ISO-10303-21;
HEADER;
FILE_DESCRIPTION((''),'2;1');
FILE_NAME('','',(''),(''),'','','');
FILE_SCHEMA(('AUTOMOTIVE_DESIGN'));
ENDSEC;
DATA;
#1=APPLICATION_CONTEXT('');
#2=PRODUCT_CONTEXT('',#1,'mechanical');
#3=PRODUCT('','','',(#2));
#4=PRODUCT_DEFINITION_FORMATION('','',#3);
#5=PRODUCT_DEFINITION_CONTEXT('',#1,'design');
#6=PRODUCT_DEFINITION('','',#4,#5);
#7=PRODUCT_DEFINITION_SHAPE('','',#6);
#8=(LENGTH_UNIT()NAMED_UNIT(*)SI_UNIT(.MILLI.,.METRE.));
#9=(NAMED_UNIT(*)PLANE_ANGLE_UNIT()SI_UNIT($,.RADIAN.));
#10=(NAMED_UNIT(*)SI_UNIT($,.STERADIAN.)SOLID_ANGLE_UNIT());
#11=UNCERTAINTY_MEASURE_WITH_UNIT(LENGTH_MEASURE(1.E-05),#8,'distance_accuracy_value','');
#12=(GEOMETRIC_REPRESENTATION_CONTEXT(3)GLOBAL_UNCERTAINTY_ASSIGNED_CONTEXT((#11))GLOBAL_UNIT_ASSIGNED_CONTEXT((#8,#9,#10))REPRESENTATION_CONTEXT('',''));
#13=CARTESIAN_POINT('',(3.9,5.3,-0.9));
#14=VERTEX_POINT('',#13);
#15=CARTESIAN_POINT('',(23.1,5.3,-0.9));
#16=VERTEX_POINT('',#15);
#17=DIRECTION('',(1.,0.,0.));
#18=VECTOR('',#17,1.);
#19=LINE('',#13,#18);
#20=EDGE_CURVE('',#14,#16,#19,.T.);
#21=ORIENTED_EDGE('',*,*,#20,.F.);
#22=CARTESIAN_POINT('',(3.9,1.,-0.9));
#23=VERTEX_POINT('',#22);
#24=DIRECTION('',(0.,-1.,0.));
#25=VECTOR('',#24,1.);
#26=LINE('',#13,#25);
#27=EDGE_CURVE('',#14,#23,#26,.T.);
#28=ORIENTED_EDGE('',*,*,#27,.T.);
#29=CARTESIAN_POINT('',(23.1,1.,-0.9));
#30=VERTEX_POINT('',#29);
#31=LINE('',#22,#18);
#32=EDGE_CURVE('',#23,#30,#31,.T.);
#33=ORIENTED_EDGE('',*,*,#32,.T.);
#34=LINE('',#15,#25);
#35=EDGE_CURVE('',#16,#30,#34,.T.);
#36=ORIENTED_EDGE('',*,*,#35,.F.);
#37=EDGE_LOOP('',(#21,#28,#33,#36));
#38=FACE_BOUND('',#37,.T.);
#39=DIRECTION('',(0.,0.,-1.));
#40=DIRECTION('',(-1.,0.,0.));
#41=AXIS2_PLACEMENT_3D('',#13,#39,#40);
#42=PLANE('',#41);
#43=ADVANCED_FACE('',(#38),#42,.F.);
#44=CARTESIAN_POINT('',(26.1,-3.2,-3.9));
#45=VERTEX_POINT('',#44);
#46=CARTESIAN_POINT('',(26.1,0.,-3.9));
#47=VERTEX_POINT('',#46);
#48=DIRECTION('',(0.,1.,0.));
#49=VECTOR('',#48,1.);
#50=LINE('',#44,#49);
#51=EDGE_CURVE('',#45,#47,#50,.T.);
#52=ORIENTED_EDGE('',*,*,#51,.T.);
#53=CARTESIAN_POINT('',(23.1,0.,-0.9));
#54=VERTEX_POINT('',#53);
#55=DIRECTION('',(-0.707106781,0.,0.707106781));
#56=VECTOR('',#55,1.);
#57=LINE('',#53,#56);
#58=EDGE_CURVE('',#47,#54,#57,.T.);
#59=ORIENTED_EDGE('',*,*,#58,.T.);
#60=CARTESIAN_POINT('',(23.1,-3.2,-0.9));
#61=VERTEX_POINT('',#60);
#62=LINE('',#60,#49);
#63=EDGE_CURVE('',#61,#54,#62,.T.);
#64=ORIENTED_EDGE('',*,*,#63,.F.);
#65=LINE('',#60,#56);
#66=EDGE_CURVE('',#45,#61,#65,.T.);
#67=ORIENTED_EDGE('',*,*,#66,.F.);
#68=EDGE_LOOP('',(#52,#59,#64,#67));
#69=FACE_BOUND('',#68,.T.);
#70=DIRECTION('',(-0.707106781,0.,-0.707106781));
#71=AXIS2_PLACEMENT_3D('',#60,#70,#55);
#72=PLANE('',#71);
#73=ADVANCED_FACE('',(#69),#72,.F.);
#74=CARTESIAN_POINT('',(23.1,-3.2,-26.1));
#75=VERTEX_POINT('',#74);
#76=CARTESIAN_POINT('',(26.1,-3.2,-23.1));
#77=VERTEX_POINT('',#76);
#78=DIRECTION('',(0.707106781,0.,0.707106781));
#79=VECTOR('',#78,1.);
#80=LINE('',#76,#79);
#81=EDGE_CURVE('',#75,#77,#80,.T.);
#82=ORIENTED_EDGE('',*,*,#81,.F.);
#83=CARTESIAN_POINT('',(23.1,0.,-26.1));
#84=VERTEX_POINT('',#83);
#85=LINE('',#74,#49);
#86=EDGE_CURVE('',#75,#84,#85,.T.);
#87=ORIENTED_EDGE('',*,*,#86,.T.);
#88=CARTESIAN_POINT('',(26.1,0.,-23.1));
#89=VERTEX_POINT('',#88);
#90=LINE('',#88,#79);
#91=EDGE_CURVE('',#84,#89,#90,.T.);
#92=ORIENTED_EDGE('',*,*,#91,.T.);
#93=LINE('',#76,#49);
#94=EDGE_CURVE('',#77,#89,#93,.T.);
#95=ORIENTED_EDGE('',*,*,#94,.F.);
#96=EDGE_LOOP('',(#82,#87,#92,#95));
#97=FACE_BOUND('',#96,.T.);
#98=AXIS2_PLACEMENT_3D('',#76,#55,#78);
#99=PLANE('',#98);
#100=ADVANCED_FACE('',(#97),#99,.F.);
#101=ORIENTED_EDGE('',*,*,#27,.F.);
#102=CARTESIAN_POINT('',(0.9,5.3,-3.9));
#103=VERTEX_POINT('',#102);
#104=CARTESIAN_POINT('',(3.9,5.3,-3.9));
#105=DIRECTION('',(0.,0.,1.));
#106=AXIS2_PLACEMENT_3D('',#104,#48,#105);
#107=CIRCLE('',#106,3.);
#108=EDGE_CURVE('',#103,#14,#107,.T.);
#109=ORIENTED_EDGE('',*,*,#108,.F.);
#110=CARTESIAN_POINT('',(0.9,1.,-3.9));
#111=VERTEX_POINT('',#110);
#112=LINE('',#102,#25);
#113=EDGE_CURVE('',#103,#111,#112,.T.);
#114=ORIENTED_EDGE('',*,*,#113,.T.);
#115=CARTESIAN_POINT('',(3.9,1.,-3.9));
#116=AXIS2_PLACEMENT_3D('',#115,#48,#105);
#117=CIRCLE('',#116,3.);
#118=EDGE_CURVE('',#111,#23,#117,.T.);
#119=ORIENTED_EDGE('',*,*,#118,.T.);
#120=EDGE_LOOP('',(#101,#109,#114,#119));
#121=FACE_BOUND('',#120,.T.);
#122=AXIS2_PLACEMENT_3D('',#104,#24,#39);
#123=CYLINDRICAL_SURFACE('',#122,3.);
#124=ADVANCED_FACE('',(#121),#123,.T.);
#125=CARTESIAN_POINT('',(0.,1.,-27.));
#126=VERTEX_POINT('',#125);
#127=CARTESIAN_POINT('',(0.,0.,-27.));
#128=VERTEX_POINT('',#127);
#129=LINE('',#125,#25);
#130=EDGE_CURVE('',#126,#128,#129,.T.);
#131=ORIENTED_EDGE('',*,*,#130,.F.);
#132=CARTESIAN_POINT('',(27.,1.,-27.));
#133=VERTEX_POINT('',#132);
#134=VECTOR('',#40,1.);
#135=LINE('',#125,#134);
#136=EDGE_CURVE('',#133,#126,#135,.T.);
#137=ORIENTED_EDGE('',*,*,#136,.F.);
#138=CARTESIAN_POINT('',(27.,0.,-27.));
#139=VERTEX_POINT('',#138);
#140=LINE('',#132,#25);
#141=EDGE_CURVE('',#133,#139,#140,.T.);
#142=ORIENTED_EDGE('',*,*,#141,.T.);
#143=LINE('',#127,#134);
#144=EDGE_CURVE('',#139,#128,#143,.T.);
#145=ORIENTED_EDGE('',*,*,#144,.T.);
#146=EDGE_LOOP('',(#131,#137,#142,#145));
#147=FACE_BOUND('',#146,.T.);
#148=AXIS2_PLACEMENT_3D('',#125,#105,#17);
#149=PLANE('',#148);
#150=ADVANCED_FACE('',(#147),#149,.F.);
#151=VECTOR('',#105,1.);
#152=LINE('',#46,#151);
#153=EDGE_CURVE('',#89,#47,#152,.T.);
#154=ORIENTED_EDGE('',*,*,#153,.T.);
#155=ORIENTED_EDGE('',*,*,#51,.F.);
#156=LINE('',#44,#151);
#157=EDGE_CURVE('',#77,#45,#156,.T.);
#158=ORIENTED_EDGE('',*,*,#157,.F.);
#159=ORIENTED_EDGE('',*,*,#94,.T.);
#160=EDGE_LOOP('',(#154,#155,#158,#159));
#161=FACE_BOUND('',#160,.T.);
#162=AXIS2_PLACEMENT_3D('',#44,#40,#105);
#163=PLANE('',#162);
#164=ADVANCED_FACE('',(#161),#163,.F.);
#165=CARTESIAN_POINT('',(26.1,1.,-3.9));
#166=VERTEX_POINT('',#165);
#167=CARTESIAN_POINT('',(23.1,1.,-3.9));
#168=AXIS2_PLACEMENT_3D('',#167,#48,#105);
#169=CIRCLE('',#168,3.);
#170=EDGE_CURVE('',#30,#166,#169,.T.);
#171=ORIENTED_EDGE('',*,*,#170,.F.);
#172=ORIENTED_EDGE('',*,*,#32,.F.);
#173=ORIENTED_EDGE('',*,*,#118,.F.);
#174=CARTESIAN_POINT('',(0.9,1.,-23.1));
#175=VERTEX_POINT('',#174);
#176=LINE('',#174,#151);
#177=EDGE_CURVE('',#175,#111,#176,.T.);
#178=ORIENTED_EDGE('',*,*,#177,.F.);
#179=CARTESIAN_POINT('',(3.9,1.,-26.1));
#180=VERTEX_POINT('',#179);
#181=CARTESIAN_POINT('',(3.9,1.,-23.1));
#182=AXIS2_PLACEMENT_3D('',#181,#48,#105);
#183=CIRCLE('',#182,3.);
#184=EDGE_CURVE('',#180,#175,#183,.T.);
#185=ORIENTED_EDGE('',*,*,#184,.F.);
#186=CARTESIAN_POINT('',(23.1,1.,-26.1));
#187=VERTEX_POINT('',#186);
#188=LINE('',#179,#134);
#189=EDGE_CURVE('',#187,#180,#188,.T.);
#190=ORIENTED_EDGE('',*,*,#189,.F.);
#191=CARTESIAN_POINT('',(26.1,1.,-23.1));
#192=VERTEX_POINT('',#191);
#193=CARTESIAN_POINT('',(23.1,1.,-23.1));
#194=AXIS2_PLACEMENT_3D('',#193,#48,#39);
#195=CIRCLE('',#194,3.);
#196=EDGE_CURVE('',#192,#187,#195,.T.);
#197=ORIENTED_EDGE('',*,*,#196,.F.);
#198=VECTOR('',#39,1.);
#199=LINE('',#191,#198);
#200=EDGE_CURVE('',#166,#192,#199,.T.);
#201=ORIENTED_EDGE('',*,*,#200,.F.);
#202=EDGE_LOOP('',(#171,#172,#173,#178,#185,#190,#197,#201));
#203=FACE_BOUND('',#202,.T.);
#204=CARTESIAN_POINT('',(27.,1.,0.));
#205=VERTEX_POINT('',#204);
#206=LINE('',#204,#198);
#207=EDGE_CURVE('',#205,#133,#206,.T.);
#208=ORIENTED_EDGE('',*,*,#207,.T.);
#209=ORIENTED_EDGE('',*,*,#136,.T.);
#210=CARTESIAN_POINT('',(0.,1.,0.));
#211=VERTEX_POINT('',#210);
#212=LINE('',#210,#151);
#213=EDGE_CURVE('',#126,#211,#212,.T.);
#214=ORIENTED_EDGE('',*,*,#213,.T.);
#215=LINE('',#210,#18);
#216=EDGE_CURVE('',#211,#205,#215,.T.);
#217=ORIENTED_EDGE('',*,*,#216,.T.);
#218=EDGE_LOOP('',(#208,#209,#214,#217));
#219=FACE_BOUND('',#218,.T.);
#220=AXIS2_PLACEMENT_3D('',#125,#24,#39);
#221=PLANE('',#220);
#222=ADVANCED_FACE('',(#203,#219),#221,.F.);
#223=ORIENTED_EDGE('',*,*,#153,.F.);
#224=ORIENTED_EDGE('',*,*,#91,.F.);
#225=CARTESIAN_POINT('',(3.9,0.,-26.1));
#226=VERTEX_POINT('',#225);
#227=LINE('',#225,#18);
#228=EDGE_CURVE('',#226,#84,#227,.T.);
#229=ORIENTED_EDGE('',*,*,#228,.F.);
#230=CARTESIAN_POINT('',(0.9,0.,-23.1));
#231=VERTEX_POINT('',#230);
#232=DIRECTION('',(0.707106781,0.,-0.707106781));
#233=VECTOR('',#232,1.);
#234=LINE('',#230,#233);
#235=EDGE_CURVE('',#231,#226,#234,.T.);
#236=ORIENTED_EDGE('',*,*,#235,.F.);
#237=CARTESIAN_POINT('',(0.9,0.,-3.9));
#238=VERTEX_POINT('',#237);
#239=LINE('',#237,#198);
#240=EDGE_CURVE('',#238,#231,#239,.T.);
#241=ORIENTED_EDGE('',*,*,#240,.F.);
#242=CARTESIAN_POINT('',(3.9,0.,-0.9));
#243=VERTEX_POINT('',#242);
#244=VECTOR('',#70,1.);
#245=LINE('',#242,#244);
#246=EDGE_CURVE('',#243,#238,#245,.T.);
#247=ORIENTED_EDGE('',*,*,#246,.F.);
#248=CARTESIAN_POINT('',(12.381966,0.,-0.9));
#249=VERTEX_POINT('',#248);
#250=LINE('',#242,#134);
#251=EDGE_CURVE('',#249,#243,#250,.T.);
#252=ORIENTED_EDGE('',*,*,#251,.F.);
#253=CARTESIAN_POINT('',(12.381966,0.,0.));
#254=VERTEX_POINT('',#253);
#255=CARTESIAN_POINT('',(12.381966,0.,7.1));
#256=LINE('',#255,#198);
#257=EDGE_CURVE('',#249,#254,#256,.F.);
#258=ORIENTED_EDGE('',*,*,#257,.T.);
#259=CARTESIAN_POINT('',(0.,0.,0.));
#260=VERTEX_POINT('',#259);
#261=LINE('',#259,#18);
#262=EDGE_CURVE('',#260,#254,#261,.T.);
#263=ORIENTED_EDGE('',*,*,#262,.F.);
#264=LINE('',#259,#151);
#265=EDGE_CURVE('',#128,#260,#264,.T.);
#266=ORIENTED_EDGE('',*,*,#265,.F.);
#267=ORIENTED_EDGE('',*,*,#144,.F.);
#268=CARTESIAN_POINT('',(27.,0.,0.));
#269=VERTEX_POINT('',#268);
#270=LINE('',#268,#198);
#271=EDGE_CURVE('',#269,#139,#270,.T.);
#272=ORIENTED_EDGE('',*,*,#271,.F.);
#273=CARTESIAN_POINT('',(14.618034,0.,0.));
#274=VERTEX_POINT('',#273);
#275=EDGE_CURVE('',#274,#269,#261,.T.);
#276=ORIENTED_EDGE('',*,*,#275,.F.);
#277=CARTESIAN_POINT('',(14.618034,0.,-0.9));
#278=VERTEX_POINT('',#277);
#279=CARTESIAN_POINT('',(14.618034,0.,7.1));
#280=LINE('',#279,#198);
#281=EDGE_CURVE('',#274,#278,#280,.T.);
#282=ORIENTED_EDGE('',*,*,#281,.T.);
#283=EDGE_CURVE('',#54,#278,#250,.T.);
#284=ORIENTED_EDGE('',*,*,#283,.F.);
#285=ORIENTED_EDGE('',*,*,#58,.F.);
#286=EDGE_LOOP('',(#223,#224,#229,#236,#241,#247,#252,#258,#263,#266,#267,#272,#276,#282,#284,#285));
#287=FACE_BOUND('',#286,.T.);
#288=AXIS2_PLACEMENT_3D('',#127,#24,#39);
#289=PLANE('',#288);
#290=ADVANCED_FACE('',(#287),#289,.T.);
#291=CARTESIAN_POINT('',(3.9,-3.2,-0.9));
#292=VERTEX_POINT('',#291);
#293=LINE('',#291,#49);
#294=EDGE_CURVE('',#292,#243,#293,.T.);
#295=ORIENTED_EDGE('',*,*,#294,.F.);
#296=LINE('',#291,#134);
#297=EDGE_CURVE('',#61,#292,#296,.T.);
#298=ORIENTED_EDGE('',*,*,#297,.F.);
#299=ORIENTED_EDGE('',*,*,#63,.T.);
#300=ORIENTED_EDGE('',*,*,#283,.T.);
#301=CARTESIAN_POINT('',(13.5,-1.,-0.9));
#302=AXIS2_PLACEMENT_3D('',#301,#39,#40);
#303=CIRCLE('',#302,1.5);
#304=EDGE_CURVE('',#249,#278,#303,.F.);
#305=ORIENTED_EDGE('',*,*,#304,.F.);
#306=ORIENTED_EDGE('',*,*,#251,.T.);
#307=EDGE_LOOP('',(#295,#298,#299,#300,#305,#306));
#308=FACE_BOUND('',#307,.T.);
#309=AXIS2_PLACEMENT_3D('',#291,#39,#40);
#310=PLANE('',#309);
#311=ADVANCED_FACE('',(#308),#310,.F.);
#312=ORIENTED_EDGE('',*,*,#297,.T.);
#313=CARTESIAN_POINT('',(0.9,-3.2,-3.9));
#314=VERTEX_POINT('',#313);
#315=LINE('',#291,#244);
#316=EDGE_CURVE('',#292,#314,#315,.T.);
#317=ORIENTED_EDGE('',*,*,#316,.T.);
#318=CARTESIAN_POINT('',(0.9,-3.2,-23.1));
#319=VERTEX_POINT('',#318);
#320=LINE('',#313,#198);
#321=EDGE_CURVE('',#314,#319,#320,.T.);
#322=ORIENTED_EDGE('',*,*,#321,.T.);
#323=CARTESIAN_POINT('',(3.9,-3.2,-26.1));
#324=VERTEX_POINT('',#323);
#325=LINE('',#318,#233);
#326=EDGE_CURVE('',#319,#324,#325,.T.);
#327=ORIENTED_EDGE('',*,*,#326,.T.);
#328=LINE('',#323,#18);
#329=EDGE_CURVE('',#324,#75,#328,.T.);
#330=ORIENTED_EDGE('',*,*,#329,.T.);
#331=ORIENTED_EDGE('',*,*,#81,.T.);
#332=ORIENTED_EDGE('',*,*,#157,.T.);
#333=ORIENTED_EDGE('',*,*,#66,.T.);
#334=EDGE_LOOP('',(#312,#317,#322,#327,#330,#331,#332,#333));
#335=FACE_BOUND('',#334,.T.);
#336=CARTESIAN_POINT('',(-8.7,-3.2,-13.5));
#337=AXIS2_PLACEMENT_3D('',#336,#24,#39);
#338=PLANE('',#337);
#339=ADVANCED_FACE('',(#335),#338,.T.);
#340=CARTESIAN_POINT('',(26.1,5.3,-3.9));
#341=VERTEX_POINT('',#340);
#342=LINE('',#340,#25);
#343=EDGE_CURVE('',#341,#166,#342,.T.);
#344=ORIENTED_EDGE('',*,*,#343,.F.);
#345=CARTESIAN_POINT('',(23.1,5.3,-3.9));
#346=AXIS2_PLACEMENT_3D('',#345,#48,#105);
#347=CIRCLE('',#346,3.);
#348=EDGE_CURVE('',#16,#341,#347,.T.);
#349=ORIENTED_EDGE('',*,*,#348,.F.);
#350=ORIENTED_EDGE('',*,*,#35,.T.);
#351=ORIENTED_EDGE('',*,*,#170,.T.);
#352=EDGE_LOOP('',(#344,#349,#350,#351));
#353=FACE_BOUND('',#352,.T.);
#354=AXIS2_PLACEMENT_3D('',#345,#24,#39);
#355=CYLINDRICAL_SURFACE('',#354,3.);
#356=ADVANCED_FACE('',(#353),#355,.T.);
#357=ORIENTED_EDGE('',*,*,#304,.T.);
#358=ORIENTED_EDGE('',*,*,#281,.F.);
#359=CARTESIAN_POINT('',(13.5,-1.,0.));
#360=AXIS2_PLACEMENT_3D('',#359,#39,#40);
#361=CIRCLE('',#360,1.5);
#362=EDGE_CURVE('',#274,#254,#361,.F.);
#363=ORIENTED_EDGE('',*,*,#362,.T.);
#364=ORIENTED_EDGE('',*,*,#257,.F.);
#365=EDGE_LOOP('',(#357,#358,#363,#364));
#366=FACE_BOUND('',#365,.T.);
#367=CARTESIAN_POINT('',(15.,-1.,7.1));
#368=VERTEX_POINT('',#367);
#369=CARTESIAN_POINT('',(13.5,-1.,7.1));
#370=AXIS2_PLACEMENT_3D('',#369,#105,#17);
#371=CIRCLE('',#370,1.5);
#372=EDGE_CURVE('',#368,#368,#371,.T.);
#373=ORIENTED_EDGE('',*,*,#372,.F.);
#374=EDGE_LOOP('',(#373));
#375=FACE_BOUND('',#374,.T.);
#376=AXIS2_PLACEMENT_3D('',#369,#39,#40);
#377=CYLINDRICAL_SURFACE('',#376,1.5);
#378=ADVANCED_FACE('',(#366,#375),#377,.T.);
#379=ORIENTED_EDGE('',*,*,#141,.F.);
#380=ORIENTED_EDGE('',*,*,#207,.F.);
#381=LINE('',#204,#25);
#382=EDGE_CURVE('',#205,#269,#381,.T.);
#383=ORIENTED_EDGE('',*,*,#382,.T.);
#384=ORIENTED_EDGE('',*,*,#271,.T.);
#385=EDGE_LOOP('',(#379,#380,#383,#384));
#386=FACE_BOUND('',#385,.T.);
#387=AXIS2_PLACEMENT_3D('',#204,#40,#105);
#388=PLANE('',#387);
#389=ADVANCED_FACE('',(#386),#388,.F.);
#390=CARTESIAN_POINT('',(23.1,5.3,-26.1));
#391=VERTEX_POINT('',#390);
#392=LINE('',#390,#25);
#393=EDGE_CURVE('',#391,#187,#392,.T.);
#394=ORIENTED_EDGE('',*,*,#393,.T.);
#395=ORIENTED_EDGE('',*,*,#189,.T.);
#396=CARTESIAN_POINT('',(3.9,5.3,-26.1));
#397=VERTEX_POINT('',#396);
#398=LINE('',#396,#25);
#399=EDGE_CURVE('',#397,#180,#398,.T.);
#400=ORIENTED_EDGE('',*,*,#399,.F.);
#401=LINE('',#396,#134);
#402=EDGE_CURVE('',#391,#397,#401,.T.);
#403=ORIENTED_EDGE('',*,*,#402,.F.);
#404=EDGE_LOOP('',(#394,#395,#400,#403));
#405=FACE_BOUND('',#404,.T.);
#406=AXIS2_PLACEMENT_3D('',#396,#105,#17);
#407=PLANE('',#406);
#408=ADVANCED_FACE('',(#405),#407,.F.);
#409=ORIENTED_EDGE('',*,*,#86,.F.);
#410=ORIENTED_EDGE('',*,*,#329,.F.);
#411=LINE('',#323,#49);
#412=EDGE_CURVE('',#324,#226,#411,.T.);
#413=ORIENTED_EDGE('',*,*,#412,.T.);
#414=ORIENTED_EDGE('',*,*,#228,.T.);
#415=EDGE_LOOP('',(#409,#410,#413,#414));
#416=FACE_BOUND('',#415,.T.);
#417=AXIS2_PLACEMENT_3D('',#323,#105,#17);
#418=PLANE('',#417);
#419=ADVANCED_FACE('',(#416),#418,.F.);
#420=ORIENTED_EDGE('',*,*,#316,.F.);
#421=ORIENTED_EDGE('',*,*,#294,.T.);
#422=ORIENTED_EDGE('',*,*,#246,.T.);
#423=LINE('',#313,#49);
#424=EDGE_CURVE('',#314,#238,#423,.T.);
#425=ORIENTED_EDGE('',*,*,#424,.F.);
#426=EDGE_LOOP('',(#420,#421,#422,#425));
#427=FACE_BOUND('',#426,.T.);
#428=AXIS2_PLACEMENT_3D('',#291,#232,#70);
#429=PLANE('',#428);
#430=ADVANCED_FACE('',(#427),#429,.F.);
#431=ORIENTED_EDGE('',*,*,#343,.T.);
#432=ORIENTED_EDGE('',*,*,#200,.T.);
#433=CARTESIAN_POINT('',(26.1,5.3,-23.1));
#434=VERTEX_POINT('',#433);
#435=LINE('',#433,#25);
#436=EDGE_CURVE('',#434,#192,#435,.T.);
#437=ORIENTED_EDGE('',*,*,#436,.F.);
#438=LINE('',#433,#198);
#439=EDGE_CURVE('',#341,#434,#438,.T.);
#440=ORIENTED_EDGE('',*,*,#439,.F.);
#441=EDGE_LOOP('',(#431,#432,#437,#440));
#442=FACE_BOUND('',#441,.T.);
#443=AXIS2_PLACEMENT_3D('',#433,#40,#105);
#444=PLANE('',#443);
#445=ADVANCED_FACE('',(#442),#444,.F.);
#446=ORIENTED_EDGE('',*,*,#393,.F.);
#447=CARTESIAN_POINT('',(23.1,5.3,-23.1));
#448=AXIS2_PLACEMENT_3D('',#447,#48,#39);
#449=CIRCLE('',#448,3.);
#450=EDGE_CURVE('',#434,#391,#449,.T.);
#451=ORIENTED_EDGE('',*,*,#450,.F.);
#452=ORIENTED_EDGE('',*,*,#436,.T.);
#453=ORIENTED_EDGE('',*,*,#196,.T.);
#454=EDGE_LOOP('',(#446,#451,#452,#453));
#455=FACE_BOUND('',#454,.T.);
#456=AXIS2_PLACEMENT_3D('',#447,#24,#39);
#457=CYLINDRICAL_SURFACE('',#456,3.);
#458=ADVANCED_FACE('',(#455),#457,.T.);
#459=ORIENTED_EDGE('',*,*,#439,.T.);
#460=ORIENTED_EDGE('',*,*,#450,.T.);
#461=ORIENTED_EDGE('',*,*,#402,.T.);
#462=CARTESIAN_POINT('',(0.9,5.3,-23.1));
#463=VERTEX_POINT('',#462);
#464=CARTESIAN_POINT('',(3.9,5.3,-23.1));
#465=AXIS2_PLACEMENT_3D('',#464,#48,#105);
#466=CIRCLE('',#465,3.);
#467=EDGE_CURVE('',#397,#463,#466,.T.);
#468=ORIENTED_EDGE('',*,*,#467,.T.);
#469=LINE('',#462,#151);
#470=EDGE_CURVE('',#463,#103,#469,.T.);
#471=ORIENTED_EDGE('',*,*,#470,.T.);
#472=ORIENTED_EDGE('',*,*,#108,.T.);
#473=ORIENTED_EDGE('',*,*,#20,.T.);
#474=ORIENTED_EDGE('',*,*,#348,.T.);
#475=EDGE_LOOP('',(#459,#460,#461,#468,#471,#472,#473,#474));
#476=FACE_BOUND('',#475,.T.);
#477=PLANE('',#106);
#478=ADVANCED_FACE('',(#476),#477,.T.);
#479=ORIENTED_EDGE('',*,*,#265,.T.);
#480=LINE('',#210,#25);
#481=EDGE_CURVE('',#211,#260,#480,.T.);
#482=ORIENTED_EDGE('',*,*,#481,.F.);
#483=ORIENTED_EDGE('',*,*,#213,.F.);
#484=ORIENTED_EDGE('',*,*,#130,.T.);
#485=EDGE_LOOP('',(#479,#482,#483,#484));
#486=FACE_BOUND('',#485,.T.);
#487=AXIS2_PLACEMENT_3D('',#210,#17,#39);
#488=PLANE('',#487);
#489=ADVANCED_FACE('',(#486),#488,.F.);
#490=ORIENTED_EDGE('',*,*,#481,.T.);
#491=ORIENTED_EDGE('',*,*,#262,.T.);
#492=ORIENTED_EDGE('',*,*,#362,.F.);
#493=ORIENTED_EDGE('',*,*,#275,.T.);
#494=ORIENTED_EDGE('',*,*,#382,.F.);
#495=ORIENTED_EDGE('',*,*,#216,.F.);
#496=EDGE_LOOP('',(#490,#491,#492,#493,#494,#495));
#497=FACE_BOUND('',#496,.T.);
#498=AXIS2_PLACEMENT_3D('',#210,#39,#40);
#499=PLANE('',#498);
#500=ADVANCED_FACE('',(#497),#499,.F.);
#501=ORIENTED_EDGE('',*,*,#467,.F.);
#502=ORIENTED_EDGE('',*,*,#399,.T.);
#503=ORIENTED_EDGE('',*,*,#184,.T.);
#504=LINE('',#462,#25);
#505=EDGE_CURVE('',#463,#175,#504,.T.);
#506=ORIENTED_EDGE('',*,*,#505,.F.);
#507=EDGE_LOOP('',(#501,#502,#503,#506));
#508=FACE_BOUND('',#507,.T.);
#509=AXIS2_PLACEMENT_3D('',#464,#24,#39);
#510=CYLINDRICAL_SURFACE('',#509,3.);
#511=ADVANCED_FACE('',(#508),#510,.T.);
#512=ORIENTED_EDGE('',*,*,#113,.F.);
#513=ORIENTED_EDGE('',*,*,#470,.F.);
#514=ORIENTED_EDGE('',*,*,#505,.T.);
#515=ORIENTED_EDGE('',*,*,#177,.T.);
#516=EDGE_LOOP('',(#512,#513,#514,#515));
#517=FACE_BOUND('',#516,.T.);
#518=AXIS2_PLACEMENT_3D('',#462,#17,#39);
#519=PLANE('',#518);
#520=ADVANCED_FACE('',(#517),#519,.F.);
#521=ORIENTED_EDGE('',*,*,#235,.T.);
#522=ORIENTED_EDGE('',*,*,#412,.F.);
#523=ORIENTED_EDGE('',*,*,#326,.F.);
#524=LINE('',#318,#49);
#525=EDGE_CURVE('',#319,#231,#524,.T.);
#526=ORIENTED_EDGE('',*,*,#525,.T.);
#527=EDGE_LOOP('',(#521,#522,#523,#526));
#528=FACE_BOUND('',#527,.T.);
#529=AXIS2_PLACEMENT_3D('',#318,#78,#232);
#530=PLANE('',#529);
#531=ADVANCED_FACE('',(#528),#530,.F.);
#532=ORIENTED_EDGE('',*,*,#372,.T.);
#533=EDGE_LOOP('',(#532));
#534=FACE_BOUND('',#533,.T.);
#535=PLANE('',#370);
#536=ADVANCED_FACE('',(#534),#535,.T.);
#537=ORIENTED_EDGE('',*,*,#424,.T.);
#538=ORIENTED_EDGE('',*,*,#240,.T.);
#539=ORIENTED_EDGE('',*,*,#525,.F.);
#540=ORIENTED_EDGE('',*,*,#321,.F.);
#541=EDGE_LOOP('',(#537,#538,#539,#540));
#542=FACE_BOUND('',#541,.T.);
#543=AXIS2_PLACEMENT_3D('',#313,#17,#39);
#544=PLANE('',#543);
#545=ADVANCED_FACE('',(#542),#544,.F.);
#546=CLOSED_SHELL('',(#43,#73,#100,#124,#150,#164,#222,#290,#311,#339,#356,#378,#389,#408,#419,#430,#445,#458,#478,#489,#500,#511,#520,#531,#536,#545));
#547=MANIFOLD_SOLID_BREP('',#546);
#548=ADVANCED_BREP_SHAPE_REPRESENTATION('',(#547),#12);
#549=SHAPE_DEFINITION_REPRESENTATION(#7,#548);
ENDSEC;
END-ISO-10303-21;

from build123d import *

# Parameters (mm, degrees)
SKETCH1_W           = 27
SKETCH1_H           = 27
BOSS_EXTRUDE1_DEPTH = 1
BOSS_EXTRUDE2_DEPTH = 4.3
BOSS_EXTRUDE3_DEPTH = 3.2
SKETCH4_R           = 1.5
BOSS_EXTRUDE5_DEPTH = 8


with BuildPart() as part:
    # Sketch1 → Boss-Extrude1 (new body)
    with BuildSketch(Plane(origin=(0, 0, 0), x_dir=(1, 0, 0), z_dir=(0, 1, 0))):
        with Locations((13.5, 13.5)):
            Rectangle(SKETCH1_W, SKETCH1_H)
    extrude(amount=BOSS_EXTRUDE1_DEPTH)

    # Sketch2 → Boss-Extrude2 (add)
    with BuildSketch(Plane(origin=(0, 1, 0), x_dir=(1, 0, 0), z_dir=(0, 1, 0))):
        with BuildLine():
            Line((3.9, 26.1), (23.1, 26.1))
            ThreePointArc((23.1, 26.1), (25.221320344, 25.221320344), (26.1, 23.1))
            Line((26.1, 23.1), (26.1, 3.9))
            ThreePointArc((26.1, 3.9), (25.221320344, 1.778679656), (23.1, 0.9))
            Line((23.1, 0.9), (3.9, 0.9))
            ThreePointArc((3.9, 0.9), (1.778679656, 1.778679656), (0.9, 3.9))
            Line((0.9, 3.9), (0.9, 23.1))
            ThreePointArc((0.9, 23.1), (1.778679656, 25.221320344), (3.9, 26.1))
        make_face()
    extrude(amount=BOSS_EXTRUDE2_DEPTH)

    # Sketch3 → Boss-Extrude3 (add)
    with BuildSketch(Plane.XZ):
        Polygon((3.9, -0.9), (23.1, -0.9), (26.1, -3.9), (26.1, -23.1), (23.1, -26.1), (3.9, -26.1), (0.9, -23.1), (0.9, -3.9), align=None)
    extrude(amount=BOSS_EXTRUDE3_DEPTH)

    # Sketch4 → Boss-Extrude5 (add)
    with BuildSketch(Plane.XY.offset(-0.9)):
        with Locations((13.5, -1)):
            Circle(SKETCH4_R)
    extrude(amount=BOSS_EXTRUDE5_DEPTH)


solid = part.part
